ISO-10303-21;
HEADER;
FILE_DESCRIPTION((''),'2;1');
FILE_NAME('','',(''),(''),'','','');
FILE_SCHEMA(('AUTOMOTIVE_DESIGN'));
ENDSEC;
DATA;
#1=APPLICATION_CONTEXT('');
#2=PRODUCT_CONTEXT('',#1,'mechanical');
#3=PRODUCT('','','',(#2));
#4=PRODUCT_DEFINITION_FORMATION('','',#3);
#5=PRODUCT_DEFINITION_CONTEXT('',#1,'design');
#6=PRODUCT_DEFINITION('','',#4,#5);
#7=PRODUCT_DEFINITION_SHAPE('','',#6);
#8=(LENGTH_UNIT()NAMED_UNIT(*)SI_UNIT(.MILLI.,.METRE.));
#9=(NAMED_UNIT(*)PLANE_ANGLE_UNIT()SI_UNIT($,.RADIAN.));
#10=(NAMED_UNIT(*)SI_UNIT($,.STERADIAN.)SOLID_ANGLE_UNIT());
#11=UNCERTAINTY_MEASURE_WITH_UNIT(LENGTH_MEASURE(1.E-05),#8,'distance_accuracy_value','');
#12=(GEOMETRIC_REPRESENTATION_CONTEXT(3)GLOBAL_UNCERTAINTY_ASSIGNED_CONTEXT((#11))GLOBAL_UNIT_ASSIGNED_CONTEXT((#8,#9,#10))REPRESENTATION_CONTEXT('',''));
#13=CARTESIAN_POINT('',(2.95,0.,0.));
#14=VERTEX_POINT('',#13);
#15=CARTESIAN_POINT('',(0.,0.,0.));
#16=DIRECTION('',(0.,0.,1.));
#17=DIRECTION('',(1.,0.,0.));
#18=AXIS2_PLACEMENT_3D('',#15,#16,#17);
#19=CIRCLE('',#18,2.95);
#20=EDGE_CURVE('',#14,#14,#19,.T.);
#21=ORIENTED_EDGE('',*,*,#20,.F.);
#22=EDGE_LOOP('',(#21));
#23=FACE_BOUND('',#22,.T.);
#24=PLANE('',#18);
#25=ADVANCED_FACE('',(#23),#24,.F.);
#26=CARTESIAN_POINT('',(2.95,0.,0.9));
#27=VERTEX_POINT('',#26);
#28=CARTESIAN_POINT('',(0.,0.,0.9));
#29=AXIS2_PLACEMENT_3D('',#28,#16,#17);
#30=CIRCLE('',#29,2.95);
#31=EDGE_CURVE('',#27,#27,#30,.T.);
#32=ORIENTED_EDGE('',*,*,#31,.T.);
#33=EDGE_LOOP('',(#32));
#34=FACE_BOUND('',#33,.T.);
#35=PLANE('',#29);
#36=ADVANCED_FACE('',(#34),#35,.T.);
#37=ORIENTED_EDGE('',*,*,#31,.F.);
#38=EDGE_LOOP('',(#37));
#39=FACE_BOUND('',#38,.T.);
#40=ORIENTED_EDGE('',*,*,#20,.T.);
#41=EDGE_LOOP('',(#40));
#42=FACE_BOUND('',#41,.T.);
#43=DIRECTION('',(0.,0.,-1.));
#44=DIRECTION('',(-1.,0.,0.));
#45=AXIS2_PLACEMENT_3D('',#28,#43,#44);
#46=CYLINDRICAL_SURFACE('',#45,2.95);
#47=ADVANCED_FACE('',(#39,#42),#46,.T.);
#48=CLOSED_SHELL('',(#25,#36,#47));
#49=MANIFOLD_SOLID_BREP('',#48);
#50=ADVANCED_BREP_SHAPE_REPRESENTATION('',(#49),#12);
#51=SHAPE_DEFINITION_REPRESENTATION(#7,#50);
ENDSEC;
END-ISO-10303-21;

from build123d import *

# Parameters (mm, degrees)
SKETCH1_R           = 2.95
BOSS_EXTRUDE1_DEPTH = 0.9


with BuildPart() as part:
    # Sketch1 → Boss-Extrude1 (new body)
    with BuildSketch(Plane.XY):
        Circle(SKETCH1_R)
    extrude(amount=BOSS_EXTRUDE1_DEPTH)


solid = part.part
